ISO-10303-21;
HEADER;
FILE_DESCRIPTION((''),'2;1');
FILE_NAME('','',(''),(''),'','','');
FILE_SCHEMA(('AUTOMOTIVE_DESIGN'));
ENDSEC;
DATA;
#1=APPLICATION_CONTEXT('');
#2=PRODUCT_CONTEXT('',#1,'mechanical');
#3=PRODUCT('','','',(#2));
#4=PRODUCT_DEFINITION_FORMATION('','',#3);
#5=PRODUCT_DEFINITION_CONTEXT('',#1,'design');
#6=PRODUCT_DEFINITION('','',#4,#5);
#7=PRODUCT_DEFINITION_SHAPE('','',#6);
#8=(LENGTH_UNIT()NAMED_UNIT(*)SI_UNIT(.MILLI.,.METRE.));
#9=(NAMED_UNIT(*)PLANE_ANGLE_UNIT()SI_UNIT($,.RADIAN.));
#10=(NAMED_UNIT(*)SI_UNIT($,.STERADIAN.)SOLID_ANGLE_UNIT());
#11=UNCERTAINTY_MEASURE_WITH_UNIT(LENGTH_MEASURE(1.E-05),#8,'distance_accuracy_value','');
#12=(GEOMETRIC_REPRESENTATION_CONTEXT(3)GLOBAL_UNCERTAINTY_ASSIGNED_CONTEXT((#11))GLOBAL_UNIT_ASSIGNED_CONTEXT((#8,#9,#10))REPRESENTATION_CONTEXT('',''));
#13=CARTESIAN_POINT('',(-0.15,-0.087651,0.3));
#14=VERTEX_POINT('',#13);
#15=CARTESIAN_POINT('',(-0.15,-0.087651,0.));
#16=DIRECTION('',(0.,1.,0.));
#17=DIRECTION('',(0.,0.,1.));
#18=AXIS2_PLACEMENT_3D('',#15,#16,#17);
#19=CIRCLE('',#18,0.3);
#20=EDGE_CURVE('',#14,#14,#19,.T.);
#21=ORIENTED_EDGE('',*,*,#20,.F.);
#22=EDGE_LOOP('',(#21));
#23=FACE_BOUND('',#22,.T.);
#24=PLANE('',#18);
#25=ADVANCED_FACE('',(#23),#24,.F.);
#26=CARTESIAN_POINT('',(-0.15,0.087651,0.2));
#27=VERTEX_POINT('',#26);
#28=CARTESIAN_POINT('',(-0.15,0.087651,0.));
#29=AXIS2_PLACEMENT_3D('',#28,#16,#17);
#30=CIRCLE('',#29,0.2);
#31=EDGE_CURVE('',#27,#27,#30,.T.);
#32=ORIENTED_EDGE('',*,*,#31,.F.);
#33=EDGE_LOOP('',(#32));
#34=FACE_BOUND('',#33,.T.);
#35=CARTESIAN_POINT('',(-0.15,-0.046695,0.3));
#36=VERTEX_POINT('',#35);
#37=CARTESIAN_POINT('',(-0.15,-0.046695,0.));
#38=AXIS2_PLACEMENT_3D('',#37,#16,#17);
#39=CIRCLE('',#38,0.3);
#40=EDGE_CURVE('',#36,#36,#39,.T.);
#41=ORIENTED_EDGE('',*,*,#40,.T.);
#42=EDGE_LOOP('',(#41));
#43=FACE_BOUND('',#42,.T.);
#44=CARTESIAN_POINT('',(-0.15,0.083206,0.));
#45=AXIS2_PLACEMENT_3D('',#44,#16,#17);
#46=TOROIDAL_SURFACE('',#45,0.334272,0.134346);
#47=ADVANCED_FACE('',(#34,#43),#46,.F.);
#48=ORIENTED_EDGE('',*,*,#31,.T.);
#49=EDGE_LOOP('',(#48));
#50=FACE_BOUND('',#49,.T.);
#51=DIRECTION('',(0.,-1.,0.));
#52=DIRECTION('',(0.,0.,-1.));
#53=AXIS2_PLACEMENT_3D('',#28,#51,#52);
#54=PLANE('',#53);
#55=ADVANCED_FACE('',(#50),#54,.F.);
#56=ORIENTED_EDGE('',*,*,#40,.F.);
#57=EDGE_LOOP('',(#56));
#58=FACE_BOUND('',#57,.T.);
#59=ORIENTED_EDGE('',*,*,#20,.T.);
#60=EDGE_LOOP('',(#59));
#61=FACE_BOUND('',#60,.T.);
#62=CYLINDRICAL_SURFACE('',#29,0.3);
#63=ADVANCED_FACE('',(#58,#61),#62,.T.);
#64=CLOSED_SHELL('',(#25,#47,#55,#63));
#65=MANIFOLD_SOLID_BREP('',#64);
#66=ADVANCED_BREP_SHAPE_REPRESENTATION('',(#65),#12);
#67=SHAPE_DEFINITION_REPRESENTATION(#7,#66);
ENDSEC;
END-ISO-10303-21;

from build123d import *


with BuildPart() as part:
    # Sketch1 → Revolve1 (revolve)
    with BuildSketch(Plane.XY, mode=Mode.PRIVATE) as revolve1_sk:
        with BuildLine():
            Line((-0.15, 0.087650602), (-0.15, -0.087650602))
            Line((-0.15, -0.087650602), (0.15, -0.087650602))
            Line((0.15, -0.087650602), (0.15, -0.046695245))
            ThreePointArc((0.15, -0.046695245), (0.076503925, 0.002988433), (0.05, 0.087650602))
            Line((0.05, 0.087650602), (-0.15, 0.087650602))
        make_face()
    revolve(revolve1_sk.sketch.rotate(Axis((-0.15, 0.087650602, 0), (0, -1, 0)), 90), axis=Axis((-0.15, 0.087650602, 0), (0, -1, 0)))


solid = part.part
